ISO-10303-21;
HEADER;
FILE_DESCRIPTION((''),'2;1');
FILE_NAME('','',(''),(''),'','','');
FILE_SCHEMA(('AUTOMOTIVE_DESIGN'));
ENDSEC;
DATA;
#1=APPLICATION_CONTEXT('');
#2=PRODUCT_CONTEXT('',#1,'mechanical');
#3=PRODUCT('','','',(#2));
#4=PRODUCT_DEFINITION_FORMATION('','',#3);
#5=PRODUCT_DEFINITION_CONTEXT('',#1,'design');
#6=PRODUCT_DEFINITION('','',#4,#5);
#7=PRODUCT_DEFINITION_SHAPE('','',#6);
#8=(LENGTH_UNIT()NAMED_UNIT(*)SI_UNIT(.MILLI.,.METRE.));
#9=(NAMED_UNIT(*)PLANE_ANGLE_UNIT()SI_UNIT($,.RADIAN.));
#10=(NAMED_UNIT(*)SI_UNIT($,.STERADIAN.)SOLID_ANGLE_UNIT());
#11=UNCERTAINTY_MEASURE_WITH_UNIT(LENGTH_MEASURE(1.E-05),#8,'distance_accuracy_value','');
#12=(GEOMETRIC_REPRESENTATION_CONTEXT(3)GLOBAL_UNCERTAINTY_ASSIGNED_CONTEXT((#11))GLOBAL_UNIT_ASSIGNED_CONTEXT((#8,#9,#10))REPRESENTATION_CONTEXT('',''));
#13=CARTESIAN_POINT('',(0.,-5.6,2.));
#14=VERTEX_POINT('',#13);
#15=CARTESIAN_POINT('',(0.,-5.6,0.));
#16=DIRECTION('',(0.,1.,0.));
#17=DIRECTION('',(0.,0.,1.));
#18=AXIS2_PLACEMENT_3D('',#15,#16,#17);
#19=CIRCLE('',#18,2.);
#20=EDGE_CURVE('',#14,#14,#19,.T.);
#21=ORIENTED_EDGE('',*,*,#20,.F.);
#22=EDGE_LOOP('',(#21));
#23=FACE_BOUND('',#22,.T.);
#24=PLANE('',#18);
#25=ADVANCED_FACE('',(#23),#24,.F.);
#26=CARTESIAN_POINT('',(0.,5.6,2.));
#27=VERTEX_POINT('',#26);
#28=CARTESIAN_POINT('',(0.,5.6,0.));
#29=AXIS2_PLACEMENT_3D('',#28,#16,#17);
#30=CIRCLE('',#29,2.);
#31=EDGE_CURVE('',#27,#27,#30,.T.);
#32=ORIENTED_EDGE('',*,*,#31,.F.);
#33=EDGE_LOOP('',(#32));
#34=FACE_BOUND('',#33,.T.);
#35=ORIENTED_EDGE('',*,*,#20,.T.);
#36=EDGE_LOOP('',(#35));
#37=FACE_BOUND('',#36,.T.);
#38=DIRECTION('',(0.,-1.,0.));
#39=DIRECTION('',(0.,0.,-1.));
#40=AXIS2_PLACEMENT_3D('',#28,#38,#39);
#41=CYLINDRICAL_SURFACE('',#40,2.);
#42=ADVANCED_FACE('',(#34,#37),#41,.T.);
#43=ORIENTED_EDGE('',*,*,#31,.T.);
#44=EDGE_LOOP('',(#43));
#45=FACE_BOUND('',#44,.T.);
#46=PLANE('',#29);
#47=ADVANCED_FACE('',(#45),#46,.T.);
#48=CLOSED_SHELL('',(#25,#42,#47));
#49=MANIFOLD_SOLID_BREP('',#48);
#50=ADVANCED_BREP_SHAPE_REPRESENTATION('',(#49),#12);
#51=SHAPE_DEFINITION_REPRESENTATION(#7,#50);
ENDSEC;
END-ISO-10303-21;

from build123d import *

# Parameters (mm, degrees)
ESBO_O1_R                = 2
RESSALTO_EXTRUS_O1_DEPTH = 5.6


with BuildPart() as part:
    # Esboço1 → Ressalto-extrusão1 (new body, symmetric)
    with BuildSketch(Plane(origin=(0, 0, 0), x_dir=(1, 0, 0), z_dir=(0, 1, 0))):
        Circle(ESBO_O1_R)
    extrude(amount=RESSALTO_EXTRUS_O1_DEPTH, both=True)


solid = part.part
